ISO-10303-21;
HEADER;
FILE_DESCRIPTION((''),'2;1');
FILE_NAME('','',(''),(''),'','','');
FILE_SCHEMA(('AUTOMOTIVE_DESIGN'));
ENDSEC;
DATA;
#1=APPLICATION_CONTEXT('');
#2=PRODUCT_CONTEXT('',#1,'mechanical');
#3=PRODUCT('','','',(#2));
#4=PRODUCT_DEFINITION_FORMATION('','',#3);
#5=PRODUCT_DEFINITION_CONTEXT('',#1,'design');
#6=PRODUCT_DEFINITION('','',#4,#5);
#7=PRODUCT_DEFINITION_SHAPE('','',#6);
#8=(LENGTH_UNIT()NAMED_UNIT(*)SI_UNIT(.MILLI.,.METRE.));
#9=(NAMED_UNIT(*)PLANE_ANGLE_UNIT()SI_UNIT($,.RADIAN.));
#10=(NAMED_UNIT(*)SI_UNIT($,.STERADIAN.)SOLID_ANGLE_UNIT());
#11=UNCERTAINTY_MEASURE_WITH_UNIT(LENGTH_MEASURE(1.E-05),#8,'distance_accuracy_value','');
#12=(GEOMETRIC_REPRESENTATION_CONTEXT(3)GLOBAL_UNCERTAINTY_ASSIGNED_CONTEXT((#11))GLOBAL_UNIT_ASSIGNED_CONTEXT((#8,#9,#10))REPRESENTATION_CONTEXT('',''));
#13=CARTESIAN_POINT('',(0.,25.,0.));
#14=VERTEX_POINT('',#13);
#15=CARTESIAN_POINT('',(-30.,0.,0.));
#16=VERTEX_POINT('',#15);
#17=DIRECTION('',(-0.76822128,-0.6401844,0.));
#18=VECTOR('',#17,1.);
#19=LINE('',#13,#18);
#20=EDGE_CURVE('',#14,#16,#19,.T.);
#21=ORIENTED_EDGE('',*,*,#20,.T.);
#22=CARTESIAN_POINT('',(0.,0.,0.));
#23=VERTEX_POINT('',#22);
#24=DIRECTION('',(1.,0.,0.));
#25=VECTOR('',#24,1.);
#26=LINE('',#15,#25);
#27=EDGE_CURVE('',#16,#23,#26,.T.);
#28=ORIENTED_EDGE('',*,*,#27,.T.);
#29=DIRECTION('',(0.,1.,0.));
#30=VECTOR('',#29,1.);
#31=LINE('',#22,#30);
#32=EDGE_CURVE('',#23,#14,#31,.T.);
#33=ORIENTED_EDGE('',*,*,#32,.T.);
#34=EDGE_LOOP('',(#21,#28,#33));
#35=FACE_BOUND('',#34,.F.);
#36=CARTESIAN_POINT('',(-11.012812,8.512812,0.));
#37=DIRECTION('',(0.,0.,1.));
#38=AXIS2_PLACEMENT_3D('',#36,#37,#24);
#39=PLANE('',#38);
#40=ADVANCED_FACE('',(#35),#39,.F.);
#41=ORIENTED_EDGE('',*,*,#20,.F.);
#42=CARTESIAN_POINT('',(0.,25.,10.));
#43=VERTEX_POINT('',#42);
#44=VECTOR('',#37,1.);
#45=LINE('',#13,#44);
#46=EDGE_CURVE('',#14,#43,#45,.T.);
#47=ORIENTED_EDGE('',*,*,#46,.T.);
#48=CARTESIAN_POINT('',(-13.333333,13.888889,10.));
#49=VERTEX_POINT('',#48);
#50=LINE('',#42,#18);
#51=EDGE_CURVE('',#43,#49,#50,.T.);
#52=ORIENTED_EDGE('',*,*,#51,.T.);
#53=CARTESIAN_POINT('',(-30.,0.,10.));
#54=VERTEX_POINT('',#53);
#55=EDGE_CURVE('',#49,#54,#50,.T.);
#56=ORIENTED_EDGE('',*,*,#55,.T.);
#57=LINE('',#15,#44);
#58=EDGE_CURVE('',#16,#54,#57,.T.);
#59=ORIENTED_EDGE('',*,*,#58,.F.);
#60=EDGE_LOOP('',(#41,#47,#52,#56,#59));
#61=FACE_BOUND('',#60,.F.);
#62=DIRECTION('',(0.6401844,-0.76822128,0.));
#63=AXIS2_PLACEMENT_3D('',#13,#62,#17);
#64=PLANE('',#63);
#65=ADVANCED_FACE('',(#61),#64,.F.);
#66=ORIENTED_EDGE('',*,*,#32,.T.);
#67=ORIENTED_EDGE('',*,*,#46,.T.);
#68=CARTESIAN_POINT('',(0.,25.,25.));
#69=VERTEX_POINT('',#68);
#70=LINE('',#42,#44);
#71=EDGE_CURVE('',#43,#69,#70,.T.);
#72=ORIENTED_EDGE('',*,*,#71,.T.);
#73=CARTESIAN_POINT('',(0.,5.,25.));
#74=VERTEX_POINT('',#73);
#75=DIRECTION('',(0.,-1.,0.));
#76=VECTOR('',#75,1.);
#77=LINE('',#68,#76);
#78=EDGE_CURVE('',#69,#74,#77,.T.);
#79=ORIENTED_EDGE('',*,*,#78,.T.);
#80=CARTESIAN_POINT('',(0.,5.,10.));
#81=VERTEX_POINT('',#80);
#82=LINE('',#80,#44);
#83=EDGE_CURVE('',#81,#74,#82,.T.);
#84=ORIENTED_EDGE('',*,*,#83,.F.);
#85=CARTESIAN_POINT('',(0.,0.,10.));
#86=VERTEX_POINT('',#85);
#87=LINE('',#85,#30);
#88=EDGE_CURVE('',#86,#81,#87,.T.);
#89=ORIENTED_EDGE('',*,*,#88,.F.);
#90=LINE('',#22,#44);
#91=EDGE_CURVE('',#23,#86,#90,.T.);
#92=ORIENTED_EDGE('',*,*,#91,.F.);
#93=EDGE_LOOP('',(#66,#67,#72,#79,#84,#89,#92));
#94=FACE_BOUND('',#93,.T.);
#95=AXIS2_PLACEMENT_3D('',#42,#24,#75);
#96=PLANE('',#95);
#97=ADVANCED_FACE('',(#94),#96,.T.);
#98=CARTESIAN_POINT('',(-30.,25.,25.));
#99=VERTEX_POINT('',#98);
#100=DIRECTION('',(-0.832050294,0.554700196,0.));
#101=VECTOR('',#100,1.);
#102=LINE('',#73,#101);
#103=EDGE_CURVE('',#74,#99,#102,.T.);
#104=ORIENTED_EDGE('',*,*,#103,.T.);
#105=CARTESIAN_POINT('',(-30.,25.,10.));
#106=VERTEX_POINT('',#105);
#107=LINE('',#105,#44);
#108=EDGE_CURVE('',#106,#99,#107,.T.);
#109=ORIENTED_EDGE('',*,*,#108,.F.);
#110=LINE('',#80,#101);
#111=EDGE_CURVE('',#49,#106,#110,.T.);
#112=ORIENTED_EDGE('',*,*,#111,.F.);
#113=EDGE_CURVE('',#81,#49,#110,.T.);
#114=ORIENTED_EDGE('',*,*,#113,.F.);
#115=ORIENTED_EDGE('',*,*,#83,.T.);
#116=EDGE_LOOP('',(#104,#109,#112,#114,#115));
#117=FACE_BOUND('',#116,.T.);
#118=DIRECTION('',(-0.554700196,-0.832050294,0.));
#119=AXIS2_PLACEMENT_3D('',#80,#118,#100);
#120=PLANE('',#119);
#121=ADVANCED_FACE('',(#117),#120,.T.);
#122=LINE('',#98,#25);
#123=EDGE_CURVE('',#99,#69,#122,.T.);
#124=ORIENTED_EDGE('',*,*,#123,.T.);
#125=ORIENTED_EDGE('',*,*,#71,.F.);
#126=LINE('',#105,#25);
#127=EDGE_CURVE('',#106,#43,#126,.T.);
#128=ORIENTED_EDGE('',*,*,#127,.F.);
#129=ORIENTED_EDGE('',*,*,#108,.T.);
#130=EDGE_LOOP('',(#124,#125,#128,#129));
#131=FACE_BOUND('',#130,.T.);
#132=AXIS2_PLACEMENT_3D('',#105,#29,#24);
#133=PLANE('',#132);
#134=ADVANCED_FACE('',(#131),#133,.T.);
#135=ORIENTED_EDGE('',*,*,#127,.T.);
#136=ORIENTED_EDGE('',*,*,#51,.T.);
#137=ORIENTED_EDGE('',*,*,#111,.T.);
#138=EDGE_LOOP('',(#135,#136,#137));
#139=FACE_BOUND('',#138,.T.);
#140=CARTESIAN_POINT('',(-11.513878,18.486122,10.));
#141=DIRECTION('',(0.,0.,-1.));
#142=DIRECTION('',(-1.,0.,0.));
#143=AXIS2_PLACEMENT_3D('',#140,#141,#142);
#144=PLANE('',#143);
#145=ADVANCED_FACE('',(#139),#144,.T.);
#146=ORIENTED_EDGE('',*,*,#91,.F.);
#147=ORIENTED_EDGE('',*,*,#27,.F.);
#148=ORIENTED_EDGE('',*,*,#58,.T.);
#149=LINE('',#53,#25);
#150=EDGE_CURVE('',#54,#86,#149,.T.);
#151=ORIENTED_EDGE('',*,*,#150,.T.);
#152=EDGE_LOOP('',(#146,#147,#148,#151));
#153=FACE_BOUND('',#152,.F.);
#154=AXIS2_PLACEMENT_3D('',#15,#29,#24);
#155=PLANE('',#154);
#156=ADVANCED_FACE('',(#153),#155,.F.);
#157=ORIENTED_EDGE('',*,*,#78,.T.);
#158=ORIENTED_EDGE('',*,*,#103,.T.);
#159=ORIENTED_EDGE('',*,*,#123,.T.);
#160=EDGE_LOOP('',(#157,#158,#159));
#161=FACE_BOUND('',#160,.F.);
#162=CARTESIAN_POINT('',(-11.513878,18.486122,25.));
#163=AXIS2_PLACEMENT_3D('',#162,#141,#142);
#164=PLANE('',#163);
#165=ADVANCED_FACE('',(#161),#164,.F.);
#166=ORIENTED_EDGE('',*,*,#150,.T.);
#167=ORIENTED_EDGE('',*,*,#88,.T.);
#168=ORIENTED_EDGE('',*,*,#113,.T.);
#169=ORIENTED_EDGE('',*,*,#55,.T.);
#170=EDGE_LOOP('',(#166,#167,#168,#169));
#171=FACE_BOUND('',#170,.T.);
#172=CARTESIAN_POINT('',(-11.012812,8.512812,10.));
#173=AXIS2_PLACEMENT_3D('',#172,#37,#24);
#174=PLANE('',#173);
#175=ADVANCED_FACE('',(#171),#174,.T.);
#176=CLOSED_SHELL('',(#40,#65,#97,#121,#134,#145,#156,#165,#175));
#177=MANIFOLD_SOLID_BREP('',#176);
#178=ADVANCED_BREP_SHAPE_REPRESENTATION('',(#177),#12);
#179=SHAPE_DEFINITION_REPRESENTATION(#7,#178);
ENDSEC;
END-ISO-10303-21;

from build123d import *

# Parameters (mm, degrees)
BOSS_EXTRUDE1_DEPTH = 10
BOSS_EXTRUDE2_DEPTH = 15


with BuildPart() as part:
    # Sketch1 → Boss-Extrude1 (new body)
    with BuildSketch(Plane.XY):
        Polygon((0, 0), (0, 25), (-30, 0), align=None)
    extrude(amount=BOSS_EXTRUDE1_DEPTH)

    # Sketch2 → Boss-Extrude2 (add)
    with BuildSketch(Plane.XY.offset(10)):
        Polygon((-30, 25), (0, 25), (0, 5), align=None)
    extrude(amount=BOSS_EXTRUDE2_DEPTH)


solid = part.part
